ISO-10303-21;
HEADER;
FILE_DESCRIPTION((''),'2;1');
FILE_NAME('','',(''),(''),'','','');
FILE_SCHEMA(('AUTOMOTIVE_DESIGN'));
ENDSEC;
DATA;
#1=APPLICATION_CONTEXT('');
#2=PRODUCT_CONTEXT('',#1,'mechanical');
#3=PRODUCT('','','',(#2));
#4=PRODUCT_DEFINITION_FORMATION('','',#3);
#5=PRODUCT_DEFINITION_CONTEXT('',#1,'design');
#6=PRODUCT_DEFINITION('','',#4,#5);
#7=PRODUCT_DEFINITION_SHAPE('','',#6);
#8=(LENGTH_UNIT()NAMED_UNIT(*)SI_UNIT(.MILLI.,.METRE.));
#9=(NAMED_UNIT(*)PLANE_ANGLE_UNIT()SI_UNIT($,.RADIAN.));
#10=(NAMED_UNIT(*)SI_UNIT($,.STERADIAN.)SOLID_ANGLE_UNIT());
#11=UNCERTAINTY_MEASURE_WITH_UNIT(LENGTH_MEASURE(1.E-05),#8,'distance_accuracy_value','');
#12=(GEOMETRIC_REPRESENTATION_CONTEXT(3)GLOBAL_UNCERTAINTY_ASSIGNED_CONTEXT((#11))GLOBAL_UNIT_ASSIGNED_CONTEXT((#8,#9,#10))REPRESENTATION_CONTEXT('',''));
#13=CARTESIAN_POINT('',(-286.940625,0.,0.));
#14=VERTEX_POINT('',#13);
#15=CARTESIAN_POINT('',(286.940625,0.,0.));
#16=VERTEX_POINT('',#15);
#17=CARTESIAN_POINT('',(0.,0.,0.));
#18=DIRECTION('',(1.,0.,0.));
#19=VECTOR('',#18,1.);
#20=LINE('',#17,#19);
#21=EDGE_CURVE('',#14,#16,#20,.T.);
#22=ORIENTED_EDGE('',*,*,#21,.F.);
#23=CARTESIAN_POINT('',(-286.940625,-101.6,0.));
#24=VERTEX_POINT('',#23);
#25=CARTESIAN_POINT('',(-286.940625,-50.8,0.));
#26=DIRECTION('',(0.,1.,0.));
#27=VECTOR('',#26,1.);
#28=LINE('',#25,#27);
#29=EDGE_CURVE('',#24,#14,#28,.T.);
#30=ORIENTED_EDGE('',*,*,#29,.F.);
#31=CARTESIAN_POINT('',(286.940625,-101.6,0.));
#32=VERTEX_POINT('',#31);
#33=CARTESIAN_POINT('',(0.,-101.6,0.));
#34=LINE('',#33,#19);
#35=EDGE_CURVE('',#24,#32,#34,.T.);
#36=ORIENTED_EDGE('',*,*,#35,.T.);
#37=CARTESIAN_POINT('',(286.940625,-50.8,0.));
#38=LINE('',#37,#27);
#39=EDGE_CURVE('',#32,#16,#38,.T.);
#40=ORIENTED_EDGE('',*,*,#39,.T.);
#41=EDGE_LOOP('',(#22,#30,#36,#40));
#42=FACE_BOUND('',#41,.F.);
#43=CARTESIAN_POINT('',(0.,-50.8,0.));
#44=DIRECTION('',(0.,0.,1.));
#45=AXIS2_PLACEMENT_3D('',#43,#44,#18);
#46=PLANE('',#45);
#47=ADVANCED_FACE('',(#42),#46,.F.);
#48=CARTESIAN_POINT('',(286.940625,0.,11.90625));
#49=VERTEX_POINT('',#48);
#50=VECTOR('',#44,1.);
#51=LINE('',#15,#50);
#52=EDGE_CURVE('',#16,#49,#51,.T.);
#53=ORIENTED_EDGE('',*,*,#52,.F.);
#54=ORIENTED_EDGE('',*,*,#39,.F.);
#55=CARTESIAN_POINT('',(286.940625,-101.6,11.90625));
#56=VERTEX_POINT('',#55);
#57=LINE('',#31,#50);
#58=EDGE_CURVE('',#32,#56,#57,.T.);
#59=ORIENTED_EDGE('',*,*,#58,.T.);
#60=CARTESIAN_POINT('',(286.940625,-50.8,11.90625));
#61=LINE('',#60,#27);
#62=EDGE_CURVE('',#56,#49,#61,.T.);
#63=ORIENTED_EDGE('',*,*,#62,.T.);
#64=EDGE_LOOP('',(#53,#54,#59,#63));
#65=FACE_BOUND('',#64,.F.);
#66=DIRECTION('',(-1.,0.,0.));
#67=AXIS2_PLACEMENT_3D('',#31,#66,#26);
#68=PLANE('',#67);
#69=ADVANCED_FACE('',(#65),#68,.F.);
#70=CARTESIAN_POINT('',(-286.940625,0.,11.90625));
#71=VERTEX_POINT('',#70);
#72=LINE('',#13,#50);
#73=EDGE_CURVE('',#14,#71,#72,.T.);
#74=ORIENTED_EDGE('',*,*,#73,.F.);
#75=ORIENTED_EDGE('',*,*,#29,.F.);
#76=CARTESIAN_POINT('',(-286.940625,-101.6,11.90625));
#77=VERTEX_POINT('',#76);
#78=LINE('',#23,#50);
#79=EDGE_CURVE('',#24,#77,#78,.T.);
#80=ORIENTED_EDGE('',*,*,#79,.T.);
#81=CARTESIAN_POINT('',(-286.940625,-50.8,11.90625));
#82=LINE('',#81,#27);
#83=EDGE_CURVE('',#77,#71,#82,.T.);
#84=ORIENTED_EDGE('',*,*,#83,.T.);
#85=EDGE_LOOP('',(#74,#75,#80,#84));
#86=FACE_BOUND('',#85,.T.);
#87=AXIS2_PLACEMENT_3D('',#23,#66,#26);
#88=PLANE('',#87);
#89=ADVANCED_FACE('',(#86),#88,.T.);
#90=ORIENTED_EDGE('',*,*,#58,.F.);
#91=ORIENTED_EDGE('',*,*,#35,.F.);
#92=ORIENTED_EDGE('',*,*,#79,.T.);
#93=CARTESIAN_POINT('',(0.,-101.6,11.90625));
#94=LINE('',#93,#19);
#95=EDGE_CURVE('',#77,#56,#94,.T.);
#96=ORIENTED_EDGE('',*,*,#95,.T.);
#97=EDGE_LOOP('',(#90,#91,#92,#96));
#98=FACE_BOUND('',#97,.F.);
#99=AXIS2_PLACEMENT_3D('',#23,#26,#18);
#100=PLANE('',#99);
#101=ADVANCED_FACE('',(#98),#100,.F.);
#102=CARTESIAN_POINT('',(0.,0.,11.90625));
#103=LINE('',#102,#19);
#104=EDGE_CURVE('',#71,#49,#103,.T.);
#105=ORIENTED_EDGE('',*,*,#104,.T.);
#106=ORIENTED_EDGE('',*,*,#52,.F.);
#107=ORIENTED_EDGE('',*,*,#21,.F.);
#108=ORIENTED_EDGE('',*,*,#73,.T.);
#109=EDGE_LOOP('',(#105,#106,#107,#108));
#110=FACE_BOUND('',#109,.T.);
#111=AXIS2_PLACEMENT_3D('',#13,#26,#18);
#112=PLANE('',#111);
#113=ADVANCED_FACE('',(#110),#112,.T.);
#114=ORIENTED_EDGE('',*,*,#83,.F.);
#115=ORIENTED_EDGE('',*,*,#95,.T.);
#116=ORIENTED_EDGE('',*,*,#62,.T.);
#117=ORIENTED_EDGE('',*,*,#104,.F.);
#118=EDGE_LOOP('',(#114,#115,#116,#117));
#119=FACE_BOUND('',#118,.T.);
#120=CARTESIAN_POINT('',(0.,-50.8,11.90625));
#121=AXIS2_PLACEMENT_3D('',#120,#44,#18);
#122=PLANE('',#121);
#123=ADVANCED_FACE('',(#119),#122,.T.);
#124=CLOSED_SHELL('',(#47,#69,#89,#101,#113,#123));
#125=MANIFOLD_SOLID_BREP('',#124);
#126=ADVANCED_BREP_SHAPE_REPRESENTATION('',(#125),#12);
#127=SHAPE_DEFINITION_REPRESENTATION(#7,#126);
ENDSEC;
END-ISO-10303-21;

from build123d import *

# Parameters (mm, degrees)
SKETCH_W  = 573.88125
SKETCH_H  = 101.6
PAD_DEPTH = 11.90625


with BuildPart() as part:
    # Sketch → Pad (new body)
    with BuildSketch(Plane.XY):
        with Locations((0, -50.8)):
            Rectangle(SKETCH_W, SKETCH_H)
    extrude(amount=PAD_DEPTH)


solid = part.part
